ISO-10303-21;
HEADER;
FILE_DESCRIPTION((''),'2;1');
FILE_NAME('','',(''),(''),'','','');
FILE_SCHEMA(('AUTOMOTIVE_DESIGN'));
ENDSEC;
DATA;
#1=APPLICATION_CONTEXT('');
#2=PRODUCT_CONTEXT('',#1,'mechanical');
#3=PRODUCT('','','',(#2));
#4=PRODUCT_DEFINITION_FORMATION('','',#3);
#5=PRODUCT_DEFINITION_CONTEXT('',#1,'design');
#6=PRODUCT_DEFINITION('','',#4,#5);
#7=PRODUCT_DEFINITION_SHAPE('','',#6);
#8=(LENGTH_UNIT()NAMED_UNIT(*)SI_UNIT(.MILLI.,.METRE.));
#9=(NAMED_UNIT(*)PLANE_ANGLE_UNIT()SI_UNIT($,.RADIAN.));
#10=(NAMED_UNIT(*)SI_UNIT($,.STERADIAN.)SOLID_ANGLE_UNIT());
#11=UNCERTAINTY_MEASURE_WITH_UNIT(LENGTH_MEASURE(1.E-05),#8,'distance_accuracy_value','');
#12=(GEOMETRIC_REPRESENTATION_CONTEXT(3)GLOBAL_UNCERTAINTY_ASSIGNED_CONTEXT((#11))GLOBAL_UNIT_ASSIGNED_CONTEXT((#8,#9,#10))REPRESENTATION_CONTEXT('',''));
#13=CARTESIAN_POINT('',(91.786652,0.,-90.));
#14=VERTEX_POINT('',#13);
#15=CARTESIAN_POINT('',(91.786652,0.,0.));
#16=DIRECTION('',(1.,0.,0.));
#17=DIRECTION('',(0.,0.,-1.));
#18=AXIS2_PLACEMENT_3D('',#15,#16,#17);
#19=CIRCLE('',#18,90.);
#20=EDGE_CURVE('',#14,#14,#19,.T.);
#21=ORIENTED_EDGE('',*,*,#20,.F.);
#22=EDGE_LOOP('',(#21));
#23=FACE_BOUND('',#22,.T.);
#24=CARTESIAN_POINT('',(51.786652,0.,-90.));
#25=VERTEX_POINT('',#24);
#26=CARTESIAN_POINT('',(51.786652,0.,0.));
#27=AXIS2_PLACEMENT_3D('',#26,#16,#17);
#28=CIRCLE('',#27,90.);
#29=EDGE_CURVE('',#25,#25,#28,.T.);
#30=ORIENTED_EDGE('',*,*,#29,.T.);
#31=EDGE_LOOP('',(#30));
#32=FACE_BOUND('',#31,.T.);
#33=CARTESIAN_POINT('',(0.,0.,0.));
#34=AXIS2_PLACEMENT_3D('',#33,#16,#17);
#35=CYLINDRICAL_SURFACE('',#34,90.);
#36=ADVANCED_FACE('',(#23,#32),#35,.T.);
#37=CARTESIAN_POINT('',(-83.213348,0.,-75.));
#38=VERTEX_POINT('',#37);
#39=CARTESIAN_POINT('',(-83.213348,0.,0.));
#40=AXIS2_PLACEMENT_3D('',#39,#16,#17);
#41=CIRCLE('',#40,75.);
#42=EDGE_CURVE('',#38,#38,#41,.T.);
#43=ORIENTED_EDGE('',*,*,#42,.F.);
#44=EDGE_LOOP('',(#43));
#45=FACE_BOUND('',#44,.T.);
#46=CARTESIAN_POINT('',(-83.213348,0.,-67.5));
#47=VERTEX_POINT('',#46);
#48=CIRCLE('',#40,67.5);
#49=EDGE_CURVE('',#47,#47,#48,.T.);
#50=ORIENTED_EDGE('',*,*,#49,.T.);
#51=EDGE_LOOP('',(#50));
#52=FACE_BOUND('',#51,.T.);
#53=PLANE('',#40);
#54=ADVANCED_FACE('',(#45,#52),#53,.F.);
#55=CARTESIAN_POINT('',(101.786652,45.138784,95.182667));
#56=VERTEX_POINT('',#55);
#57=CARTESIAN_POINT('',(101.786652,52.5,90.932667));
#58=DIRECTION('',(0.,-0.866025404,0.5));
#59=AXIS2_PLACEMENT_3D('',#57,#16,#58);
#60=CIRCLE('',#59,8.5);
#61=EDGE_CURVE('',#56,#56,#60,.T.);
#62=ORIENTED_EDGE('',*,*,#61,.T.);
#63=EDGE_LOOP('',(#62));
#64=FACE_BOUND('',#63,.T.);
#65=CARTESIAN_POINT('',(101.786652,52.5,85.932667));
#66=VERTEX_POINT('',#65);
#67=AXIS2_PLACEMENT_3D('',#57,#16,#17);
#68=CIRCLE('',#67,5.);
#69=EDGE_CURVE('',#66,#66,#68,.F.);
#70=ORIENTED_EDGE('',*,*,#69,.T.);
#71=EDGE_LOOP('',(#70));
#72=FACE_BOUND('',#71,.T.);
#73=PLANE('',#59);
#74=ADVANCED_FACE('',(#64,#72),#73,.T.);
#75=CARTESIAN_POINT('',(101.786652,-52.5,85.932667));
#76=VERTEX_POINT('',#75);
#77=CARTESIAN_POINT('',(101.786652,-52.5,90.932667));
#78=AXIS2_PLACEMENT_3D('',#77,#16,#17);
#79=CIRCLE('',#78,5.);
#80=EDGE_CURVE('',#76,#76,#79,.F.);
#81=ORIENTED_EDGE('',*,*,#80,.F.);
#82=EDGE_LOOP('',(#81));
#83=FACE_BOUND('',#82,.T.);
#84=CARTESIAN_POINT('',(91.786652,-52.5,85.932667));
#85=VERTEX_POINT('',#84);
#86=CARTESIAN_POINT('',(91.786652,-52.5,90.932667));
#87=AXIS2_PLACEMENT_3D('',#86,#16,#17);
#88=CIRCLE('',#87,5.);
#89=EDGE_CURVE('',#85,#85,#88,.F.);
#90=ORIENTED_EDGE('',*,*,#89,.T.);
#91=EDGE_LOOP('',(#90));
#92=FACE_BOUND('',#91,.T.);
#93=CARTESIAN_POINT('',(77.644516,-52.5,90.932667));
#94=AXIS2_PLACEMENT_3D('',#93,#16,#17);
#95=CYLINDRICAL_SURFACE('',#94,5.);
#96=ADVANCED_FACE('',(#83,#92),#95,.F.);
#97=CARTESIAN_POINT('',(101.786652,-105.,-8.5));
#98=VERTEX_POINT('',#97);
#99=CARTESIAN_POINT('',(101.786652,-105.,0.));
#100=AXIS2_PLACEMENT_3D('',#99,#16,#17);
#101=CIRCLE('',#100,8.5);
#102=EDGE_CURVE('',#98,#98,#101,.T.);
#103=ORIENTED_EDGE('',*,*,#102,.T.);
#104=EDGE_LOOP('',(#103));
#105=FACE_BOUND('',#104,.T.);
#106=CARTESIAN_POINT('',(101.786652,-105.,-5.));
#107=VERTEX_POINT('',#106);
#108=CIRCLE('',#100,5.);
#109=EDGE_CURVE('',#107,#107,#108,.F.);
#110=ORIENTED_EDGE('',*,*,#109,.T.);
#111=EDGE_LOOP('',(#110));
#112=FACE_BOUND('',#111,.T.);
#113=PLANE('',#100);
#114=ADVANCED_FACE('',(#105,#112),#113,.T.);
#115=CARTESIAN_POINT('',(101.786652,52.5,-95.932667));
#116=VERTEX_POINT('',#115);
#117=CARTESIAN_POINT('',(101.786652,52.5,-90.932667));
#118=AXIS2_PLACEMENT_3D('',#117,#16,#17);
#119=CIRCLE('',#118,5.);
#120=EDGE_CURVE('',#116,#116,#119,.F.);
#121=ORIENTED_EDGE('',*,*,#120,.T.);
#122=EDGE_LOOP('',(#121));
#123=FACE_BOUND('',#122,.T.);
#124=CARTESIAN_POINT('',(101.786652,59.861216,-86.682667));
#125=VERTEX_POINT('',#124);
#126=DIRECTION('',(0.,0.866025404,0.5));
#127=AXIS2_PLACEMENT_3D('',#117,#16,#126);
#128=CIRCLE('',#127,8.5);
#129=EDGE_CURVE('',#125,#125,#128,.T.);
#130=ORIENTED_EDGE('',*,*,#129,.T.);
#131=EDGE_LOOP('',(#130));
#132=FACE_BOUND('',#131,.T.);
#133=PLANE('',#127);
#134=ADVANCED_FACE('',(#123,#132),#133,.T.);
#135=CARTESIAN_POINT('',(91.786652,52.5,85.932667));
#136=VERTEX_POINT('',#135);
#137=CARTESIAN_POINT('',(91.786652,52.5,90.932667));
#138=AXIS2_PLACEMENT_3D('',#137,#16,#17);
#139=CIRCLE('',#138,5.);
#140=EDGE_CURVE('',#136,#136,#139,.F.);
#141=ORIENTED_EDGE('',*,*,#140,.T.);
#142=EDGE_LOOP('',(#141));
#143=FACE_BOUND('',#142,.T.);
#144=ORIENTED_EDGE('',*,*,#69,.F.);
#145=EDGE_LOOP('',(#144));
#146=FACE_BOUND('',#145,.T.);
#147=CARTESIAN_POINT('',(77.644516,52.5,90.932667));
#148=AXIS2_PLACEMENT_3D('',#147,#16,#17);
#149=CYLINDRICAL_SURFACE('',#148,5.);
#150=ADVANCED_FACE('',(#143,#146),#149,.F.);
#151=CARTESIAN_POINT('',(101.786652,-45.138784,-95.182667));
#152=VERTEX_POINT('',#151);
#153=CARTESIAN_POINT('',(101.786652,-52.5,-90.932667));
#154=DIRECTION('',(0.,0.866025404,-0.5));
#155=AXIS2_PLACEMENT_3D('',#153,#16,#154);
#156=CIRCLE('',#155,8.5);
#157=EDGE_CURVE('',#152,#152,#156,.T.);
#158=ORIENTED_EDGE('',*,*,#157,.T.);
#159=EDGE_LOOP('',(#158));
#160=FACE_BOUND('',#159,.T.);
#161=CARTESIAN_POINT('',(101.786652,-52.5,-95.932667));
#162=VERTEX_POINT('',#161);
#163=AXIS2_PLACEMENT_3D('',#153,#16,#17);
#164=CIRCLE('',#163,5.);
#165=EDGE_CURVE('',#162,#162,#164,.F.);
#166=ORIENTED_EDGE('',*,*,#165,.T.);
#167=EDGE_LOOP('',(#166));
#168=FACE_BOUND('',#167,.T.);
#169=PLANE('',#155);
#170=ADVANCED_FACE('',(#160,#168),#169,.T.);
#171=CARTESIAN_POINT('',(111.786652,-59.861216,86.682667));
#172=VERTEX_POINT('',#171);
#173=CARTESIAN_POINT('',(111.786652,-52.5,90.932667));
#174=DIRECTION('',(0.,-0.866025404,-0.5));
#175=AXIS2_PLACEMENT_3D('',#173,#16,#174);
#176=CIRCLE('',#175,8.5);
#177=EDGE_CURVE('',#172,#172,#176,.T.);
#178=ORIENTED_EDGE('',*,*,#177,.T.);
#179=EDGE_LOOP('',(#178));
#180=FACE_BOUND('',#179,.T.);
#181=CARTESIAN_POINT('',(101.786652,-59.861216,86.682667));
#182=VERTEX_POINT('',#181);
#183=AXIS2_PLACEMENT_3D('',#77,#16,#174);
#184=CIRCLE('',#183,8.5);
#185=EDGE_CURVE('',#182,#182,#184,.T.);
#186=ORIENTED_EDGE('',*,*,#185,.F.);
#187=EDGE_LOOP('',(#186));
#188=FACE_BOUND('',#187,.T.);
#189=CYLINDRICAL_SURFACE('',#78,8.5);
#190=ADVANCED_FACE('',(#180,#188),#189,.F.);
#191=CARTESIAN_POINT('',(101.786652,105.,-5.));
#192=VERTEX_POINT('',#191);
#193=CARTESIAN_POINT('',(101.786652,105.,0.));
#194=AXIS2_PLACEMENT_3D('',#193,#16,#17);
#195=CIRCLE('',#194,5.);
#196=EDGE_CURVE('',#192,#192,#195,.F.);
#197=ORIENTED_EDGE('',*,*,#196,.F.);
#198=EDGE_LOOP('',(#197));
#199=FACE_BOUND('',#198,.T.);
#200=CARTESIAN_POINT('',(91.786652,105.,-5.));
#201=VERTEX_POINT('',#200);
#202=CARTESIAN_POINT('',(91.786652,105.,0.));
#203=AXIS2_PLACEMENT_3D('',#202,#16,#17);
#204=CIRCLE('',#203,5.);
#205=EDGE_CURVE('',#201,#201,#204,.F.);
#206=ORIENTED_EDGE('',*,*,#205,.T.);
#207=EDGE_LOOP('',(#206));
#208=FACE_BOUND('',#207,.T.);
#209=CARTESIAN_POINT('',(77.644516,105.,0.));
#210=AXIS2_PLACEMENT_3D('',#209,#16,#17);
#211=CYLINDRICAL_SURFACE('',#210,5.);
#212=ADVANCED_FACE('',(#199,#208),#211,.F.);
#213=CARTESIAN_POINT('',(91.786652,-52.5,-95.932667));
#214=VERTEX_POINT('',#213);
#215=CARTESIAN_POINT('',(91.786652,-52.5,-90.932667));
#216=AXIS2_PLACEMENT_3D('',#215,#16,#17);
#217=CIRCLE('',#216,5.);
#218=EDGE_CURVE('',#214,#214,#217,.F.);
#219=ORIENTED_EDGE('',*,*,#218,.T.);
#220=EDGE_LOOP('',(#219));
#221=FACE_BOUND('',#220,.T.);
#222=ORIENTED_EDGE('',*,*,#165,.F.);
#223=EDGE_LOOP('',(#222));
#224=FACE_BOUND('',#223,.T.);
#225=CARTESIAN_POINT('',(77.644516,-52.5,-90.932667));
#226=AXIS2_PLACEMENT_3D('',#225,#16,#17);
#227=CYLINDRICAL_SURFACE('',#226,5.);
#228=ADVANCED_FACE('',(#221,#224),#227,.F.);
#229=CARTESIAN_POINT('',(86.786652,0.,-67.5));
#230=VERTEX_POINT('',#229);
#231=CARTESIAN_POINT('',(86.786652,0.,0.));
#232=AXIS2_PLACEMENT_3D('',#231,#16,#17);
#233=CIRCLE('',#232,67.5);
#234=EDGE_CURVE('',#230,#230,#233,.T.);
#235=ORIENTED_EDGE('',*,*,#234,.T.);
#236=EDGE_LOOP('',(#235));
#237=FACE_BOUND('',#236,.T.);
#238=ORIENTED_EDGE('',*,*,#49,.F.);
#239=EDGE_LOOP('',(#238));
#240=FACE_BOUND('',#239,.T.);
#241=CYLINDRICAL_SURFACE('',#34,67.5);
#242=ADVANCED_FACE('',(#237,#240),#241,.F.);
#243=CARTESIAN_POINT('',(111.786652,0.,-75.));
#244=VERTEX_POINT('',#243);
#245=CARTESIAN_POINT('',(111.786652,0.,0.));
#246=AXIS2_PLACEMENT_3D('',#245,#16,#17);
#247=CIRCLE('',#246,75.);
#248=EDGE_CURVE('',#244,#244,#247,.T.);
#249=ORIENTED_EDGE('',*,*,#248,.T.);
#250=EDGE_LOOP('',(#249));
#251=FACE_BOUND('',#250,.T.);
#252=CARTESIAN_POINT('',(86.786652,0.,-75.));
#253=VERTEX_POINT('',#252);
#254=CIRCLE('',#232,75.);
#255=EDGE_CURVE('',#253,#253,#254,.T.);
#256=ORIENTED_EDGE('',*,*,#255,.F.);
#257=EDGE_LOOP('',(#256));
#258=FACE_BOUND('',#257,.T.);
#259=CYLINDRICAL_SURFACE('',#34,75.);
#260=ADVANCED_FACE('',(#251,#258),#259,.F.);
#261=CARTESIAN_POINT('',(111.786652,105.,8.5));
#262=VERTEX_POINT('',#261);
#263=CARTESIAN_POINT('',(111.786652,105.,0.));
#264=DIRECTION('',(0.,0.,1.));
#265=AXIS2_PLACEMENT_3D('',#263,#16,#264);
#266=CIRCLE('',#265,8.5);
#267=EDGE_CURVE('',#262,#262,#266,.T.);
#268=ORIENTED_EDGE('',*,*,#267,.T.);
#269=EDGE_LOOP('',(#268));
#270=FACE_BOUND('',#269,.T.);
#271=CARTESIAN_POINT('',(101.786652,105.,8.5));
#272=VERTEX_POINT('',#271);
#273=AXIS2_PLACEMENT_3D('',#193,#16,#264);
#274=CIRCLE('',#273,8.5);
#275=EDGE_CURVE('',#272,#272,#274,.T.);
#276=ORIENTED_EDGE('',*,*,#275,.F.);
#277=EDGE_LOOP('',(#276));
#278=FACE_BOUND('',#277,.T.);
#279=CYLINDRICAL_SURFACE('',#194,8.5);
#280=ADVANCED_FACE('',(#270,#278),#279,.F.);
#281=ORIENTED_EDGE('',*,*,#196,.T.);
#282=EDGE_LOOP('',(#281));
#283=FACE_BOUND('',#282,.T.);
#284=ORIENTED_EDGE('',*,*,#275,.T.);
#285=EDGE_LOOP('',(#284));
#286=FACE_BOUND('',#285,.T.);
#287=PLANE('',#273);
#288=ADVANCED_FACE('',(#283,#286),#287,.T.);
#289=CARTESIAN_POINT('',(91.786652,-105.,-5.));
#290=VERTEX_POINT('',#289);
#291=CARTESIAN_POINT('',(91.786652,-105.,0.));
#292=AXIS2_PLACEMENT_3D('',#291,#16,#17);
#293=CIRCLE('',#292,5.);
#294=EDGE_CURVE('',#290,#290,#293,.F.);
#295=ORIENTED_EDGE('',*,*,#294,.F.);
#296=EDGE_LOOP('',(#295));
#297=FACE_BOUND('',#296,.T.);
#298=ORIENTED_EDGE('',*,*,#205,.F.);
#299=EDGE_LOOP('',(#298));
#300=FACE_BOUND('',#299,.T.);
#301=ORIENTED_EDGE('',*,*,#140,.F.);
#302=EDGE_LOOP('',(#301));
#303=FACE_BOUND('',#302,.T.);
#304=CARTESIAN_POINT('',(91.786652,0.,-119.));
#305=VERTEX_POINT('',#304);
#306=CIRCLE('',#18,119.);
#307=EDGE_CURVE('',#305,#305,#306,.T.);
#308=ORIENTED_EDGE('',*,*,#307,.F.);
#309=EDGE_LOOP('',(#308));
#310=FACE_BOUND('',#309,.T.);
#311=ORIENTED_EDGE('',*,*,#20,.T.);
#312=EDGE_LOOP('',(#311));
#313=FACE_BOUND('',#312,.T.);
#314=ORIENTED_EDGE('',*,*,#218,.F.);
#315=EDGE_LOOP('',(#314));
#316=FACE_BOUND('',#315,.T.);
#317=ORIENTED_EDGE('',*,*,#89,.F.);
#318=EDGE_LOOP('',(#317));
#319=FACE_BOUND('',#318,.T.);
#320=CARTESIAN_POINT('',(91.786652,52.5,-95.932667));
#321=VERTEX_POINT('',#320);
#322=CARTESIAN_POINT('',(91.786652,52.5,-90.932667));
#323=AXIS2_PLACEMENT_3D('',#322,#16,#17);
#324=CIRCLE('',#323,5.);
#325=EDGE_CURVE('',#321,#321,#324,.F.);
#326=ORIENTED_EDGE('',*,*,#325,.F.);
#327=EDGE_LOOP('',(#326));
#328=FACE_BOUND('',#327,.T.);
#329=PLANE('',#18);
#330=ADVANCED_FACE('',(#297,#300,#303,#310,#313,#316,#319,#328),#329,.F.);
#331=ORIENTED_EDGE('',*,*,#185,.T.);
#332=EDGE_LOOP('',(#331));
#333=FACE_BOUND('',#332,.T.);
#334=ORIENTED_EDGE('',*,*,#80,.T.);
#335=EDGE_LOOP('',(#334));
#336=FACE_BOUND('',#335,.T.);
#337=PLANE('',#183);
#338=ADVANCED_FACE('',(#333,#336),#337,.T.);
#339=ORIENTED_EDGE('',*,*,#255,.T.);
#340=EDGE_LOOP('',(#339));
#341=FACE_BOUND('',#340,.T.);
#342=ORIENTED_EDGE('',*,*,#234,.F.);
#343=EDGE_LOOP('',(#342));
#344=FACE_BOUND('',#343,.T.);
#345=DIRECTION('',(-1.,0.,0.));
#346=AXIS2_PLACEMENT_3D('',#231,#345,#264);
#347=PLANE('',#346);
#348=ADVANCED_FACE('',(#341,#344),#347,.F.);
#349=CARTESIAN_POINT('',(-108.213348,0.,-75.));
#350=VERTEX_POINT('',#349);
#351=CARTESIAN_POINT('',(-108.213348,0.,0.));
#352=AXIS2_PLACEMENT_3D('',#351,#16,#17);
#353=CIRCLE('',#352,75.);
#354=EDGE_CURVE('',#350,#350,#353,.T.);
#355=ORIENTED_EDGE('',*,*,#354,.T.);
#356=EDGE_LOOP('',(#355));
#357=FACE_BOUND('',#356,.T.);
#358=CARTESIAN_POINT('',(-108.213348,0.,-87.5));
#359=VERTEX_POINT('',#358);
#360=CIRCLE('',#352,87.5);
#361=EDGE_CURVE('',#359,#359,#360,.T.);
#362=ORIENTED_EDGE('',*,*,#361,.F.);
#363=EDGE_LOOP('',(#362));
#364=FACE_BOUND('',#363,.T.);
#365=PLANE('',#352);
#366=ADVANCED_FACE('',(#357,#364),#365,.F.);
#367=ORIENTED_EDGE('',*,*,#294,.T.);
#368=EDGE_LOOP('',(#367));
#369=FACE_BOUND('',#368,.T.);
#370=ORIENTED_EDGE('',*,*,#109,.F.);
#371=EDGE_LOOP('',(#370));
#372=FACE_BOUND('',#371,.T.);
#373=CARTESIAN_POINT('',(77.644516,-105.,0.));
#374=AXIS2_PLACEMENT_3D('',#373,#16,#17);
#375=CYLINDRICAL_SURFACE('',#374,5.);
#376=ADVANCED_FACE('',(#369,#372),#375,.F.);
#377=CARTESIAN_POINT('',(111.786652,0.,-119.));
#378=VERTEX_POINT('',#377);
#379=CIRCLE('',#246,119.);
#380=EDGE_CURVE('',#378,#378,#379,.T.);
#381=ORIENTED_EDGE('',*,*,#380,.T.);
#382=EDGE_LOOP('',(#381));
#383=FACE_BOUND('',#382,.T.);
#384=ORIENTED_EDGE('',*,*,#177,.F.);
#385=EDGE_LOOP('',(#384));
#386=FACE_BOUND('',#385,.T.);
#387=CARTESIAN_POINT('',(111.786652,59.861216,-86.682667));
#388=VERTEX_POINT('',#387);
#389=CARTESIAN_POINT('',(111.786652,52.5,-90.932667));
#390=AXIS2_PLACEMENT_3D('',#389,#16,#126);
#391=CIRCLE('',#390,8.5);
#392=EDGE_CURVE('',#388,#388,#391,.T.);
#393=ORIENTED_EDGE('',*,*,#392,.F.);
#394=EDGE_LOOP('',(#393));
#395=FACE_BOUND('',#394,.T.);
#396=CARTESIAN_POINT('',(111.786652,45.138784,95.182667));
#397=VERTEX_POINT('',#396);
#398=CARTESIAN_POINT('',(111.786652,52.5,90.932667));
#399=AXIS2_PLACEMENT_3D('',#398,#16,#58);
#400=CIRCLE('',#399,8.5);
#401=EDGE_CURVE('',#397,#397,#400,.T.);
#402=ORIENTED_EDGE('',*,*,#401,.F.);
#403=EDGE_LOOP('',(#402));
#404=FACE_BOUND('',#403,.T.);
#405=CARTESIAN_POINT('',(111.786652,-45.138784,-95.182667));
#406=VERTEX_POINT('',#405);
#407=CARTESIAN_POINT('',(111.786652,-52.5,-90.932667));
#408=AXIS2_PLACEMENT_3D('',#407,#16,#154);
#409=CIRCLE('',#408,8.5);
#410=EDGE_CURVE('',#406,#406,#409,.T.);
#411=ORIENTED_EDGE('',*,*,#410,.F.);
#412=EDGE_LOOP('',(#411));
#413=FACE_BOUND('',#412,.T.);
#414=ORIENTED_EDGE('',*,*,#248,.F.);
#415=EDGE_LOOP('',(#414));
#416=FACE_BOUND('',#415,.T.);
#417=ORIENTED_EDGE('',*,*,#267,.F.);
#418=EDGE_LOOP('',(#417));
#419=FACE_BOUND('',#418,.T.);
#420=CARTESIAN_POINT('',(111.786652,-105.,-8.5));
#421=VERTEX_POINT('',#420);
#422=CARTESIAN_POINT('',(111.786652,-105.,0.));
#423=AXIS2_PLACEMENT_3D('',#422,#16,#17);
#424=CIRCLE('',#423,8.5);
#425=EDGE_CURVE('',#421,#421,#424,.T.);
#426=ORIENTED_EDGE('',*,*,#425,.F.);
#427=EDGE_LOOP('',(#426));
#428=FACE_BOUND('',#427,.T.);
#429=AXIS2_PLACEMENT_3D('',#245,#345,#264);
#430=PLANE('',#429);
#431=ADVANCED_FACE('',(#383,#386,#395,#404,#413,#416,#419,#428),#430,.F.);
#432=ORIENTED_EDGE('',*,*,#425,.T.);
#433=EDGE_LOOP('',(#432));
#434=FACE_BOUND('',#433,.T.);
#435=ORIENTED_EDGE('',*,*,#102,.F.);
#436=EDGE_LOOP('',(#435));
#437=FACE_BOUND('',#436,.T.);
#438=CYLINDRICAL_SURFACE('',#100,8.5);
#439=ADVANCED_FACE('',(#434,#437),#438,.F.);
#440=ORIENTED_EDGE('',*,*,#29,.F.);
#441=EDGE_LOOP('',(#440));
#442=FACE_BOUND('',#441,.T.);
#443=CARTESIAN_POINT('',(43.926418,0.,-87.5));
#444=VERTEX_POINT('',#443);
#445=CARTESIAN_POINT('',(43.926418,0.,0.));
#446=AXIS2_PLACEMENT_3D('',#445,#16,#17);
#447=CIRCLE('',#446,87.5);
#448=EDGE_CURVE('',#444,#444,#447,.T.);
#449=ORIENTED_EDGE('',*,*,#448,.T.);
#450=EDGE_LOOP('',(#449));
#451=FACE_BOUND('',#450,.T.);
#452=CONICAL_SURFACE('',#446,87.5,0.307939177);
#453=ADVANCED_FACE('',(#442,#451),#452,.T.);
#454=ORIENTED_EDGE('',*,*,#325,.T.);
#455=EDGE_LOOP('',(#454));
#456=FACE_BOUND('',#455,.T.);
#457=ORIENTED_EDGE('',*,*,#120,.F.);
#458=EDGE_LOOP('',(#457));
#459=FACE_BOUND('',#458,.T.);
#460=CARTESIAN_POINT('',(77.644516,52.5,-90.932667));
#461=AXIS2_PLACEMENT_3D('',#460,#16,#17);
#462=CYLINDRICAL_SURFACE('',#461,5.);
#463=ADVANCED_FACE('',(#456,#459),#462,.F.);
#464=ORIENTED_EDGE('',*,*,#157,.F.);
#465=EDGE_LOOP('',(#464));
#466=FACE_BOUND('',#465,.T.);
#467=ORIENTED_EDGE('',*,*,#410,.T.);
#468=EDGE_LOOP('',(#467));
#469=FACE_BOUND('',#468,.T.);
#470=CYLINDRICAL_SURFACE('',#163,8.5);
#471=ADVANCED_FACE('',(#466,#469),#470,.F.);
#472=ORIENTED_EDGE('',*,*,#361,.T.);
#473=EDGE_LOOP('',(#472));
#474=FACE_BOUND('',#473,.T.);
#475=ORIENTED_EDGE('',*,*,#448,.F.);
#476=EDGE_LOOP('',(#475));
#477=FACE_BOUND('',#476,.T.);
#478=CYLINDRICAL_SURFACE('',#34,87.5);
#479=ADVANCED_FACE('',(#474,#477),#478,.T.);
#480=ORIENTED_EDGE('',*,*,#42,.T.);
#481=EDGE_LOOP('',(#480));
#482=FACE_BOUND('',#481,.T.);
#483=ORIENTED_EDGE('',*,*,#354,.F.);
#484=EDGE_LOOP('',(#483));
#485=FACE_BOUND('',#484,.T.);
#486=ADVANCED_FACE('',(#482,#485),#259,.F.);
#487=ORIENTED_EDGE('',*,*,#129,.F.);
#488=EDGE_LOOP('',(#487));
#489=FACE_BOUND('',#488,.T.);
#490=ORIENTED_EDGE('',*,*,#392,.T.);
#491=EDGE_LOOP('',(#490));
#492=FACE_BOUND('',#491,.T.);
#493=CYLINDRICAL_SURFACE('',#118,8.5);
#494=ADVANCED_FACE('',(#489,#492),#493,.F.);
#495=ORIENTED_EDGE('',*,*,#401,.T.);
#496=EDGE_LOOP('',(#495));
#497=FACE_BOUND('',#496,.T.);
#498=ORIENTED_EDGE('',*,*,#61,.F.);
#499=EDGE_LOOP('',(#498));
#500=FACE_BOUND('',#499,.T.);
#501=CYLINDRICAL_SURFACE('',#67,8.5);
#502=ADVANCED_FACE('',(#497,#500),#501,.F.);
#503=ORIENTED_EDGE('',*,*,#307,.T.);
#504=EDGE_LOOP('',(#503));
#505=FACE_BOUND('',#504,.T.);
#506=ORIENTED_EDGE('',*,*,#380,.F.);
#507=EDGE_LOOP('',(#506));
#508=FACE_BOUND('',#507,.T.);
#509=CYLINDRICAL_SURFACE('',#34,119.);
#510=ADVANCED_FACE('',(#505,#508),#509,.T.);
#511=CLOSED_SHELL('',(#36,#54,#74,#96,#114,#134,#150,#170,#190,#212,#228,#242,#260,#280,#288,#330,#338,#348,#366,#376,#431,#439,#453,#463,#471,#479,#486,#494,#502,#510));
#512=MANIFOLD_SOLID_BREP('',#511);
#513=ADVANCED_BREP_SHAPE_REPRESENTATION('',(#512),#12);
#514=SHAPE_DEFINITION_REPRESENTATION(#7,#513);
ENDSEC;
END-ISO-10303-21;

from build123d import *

# Parameters (mm, degrees)
SCHIZZO12_R                 = 5
TAGLIO_ESTRUSIONE1_DEPTH    = 20
SCHIZZO13_R                 = 8.5
TAGLIO_ESTRUSIONE2_DEPTH    = 10
RIPETIZIONECIRCOLARE1_COUNT = 6


with BuildPart() as part:
    # Schizzo1 → Rivoluzione1 (revolve)
    with BuildSketch(Plane.XY, mode=Mode.PRIVATE) as rivoluzione1_sk:
        Polygon((-83.213348426, 75), (-108.213348426, 75), (-108.213348426, 87.5), (43.926418272, 87.5), (51.786651574, 90), (91.786651574, 90), (91.786651574, 119), (111.786651574, 119), (111.786651574, 75), (86.786651574, 75), (86.786651574, 67.5), (-83.213348426, 67.5), align=None)
    revolve(rivoluzione1_sk.sketch.rotate(Axis((0, 0, 0), (-1, 0, 0)), 90), axis=Axis((0, 0, 0), (-1, 0, 0)))

    # Schizzo12 → Taglio-Estrusione1 (cut)
    with BuildSketch(Plane(origin=(111.786651574, 0, 0), x_dir=(0, 0, -1), z_dir=(1, 0, 0))):
        with Locations((0, -105)):
            Circle(SCHIZZO12_R)
    taglio_estrusione1 = extrude(amount=-TAGLIO_ESTRUSIONE1_DEPTH, mode=Mode.SUBTRACT)

    # Schizzo13 → Taglio-Estrusione2 (cut)
    with BuildSketch(Plane(origin=(111.786651574, 0, 0), x_dir=(0, 0, -1), z_dir=(1, 0, 0))):
        with Locations((0, -105)):
            Circle(SCHIZZO13_R)
    taglio_estrusione2 = extrude(amount=-TAGLIO_ESTRUSIONE2_DEPTH, mode=Mode.SUBTRACT)

    # RipetizioneCircolare1: Taglio-Estrusione1, Taglio-Estrusione2 ×6 about axis
    ripetizionecircolare1_axis = Axis((0, 0, 0), (1, 0, 0))
    add([taglio_estrusione1.rotate(ripetizionecircolare1_axis, i * 360 / RIPETIZIONECIRCOLARE1_COUNT) for i in range(1, RIPETIZIONECIRCOLARE1_COUNT)], mode=Mode.SUBTRACT)
    add([taglio_estrusione2.rotate(ripetizionecircolare1_axis, i * 360 / RIPETIZIONECIRCOLARE1_COUNT) for i in range(1, RIPETIZIONECIRCOLARE1_COUNT)], mode=Mode.SUBTRACT)


solid = part.part
